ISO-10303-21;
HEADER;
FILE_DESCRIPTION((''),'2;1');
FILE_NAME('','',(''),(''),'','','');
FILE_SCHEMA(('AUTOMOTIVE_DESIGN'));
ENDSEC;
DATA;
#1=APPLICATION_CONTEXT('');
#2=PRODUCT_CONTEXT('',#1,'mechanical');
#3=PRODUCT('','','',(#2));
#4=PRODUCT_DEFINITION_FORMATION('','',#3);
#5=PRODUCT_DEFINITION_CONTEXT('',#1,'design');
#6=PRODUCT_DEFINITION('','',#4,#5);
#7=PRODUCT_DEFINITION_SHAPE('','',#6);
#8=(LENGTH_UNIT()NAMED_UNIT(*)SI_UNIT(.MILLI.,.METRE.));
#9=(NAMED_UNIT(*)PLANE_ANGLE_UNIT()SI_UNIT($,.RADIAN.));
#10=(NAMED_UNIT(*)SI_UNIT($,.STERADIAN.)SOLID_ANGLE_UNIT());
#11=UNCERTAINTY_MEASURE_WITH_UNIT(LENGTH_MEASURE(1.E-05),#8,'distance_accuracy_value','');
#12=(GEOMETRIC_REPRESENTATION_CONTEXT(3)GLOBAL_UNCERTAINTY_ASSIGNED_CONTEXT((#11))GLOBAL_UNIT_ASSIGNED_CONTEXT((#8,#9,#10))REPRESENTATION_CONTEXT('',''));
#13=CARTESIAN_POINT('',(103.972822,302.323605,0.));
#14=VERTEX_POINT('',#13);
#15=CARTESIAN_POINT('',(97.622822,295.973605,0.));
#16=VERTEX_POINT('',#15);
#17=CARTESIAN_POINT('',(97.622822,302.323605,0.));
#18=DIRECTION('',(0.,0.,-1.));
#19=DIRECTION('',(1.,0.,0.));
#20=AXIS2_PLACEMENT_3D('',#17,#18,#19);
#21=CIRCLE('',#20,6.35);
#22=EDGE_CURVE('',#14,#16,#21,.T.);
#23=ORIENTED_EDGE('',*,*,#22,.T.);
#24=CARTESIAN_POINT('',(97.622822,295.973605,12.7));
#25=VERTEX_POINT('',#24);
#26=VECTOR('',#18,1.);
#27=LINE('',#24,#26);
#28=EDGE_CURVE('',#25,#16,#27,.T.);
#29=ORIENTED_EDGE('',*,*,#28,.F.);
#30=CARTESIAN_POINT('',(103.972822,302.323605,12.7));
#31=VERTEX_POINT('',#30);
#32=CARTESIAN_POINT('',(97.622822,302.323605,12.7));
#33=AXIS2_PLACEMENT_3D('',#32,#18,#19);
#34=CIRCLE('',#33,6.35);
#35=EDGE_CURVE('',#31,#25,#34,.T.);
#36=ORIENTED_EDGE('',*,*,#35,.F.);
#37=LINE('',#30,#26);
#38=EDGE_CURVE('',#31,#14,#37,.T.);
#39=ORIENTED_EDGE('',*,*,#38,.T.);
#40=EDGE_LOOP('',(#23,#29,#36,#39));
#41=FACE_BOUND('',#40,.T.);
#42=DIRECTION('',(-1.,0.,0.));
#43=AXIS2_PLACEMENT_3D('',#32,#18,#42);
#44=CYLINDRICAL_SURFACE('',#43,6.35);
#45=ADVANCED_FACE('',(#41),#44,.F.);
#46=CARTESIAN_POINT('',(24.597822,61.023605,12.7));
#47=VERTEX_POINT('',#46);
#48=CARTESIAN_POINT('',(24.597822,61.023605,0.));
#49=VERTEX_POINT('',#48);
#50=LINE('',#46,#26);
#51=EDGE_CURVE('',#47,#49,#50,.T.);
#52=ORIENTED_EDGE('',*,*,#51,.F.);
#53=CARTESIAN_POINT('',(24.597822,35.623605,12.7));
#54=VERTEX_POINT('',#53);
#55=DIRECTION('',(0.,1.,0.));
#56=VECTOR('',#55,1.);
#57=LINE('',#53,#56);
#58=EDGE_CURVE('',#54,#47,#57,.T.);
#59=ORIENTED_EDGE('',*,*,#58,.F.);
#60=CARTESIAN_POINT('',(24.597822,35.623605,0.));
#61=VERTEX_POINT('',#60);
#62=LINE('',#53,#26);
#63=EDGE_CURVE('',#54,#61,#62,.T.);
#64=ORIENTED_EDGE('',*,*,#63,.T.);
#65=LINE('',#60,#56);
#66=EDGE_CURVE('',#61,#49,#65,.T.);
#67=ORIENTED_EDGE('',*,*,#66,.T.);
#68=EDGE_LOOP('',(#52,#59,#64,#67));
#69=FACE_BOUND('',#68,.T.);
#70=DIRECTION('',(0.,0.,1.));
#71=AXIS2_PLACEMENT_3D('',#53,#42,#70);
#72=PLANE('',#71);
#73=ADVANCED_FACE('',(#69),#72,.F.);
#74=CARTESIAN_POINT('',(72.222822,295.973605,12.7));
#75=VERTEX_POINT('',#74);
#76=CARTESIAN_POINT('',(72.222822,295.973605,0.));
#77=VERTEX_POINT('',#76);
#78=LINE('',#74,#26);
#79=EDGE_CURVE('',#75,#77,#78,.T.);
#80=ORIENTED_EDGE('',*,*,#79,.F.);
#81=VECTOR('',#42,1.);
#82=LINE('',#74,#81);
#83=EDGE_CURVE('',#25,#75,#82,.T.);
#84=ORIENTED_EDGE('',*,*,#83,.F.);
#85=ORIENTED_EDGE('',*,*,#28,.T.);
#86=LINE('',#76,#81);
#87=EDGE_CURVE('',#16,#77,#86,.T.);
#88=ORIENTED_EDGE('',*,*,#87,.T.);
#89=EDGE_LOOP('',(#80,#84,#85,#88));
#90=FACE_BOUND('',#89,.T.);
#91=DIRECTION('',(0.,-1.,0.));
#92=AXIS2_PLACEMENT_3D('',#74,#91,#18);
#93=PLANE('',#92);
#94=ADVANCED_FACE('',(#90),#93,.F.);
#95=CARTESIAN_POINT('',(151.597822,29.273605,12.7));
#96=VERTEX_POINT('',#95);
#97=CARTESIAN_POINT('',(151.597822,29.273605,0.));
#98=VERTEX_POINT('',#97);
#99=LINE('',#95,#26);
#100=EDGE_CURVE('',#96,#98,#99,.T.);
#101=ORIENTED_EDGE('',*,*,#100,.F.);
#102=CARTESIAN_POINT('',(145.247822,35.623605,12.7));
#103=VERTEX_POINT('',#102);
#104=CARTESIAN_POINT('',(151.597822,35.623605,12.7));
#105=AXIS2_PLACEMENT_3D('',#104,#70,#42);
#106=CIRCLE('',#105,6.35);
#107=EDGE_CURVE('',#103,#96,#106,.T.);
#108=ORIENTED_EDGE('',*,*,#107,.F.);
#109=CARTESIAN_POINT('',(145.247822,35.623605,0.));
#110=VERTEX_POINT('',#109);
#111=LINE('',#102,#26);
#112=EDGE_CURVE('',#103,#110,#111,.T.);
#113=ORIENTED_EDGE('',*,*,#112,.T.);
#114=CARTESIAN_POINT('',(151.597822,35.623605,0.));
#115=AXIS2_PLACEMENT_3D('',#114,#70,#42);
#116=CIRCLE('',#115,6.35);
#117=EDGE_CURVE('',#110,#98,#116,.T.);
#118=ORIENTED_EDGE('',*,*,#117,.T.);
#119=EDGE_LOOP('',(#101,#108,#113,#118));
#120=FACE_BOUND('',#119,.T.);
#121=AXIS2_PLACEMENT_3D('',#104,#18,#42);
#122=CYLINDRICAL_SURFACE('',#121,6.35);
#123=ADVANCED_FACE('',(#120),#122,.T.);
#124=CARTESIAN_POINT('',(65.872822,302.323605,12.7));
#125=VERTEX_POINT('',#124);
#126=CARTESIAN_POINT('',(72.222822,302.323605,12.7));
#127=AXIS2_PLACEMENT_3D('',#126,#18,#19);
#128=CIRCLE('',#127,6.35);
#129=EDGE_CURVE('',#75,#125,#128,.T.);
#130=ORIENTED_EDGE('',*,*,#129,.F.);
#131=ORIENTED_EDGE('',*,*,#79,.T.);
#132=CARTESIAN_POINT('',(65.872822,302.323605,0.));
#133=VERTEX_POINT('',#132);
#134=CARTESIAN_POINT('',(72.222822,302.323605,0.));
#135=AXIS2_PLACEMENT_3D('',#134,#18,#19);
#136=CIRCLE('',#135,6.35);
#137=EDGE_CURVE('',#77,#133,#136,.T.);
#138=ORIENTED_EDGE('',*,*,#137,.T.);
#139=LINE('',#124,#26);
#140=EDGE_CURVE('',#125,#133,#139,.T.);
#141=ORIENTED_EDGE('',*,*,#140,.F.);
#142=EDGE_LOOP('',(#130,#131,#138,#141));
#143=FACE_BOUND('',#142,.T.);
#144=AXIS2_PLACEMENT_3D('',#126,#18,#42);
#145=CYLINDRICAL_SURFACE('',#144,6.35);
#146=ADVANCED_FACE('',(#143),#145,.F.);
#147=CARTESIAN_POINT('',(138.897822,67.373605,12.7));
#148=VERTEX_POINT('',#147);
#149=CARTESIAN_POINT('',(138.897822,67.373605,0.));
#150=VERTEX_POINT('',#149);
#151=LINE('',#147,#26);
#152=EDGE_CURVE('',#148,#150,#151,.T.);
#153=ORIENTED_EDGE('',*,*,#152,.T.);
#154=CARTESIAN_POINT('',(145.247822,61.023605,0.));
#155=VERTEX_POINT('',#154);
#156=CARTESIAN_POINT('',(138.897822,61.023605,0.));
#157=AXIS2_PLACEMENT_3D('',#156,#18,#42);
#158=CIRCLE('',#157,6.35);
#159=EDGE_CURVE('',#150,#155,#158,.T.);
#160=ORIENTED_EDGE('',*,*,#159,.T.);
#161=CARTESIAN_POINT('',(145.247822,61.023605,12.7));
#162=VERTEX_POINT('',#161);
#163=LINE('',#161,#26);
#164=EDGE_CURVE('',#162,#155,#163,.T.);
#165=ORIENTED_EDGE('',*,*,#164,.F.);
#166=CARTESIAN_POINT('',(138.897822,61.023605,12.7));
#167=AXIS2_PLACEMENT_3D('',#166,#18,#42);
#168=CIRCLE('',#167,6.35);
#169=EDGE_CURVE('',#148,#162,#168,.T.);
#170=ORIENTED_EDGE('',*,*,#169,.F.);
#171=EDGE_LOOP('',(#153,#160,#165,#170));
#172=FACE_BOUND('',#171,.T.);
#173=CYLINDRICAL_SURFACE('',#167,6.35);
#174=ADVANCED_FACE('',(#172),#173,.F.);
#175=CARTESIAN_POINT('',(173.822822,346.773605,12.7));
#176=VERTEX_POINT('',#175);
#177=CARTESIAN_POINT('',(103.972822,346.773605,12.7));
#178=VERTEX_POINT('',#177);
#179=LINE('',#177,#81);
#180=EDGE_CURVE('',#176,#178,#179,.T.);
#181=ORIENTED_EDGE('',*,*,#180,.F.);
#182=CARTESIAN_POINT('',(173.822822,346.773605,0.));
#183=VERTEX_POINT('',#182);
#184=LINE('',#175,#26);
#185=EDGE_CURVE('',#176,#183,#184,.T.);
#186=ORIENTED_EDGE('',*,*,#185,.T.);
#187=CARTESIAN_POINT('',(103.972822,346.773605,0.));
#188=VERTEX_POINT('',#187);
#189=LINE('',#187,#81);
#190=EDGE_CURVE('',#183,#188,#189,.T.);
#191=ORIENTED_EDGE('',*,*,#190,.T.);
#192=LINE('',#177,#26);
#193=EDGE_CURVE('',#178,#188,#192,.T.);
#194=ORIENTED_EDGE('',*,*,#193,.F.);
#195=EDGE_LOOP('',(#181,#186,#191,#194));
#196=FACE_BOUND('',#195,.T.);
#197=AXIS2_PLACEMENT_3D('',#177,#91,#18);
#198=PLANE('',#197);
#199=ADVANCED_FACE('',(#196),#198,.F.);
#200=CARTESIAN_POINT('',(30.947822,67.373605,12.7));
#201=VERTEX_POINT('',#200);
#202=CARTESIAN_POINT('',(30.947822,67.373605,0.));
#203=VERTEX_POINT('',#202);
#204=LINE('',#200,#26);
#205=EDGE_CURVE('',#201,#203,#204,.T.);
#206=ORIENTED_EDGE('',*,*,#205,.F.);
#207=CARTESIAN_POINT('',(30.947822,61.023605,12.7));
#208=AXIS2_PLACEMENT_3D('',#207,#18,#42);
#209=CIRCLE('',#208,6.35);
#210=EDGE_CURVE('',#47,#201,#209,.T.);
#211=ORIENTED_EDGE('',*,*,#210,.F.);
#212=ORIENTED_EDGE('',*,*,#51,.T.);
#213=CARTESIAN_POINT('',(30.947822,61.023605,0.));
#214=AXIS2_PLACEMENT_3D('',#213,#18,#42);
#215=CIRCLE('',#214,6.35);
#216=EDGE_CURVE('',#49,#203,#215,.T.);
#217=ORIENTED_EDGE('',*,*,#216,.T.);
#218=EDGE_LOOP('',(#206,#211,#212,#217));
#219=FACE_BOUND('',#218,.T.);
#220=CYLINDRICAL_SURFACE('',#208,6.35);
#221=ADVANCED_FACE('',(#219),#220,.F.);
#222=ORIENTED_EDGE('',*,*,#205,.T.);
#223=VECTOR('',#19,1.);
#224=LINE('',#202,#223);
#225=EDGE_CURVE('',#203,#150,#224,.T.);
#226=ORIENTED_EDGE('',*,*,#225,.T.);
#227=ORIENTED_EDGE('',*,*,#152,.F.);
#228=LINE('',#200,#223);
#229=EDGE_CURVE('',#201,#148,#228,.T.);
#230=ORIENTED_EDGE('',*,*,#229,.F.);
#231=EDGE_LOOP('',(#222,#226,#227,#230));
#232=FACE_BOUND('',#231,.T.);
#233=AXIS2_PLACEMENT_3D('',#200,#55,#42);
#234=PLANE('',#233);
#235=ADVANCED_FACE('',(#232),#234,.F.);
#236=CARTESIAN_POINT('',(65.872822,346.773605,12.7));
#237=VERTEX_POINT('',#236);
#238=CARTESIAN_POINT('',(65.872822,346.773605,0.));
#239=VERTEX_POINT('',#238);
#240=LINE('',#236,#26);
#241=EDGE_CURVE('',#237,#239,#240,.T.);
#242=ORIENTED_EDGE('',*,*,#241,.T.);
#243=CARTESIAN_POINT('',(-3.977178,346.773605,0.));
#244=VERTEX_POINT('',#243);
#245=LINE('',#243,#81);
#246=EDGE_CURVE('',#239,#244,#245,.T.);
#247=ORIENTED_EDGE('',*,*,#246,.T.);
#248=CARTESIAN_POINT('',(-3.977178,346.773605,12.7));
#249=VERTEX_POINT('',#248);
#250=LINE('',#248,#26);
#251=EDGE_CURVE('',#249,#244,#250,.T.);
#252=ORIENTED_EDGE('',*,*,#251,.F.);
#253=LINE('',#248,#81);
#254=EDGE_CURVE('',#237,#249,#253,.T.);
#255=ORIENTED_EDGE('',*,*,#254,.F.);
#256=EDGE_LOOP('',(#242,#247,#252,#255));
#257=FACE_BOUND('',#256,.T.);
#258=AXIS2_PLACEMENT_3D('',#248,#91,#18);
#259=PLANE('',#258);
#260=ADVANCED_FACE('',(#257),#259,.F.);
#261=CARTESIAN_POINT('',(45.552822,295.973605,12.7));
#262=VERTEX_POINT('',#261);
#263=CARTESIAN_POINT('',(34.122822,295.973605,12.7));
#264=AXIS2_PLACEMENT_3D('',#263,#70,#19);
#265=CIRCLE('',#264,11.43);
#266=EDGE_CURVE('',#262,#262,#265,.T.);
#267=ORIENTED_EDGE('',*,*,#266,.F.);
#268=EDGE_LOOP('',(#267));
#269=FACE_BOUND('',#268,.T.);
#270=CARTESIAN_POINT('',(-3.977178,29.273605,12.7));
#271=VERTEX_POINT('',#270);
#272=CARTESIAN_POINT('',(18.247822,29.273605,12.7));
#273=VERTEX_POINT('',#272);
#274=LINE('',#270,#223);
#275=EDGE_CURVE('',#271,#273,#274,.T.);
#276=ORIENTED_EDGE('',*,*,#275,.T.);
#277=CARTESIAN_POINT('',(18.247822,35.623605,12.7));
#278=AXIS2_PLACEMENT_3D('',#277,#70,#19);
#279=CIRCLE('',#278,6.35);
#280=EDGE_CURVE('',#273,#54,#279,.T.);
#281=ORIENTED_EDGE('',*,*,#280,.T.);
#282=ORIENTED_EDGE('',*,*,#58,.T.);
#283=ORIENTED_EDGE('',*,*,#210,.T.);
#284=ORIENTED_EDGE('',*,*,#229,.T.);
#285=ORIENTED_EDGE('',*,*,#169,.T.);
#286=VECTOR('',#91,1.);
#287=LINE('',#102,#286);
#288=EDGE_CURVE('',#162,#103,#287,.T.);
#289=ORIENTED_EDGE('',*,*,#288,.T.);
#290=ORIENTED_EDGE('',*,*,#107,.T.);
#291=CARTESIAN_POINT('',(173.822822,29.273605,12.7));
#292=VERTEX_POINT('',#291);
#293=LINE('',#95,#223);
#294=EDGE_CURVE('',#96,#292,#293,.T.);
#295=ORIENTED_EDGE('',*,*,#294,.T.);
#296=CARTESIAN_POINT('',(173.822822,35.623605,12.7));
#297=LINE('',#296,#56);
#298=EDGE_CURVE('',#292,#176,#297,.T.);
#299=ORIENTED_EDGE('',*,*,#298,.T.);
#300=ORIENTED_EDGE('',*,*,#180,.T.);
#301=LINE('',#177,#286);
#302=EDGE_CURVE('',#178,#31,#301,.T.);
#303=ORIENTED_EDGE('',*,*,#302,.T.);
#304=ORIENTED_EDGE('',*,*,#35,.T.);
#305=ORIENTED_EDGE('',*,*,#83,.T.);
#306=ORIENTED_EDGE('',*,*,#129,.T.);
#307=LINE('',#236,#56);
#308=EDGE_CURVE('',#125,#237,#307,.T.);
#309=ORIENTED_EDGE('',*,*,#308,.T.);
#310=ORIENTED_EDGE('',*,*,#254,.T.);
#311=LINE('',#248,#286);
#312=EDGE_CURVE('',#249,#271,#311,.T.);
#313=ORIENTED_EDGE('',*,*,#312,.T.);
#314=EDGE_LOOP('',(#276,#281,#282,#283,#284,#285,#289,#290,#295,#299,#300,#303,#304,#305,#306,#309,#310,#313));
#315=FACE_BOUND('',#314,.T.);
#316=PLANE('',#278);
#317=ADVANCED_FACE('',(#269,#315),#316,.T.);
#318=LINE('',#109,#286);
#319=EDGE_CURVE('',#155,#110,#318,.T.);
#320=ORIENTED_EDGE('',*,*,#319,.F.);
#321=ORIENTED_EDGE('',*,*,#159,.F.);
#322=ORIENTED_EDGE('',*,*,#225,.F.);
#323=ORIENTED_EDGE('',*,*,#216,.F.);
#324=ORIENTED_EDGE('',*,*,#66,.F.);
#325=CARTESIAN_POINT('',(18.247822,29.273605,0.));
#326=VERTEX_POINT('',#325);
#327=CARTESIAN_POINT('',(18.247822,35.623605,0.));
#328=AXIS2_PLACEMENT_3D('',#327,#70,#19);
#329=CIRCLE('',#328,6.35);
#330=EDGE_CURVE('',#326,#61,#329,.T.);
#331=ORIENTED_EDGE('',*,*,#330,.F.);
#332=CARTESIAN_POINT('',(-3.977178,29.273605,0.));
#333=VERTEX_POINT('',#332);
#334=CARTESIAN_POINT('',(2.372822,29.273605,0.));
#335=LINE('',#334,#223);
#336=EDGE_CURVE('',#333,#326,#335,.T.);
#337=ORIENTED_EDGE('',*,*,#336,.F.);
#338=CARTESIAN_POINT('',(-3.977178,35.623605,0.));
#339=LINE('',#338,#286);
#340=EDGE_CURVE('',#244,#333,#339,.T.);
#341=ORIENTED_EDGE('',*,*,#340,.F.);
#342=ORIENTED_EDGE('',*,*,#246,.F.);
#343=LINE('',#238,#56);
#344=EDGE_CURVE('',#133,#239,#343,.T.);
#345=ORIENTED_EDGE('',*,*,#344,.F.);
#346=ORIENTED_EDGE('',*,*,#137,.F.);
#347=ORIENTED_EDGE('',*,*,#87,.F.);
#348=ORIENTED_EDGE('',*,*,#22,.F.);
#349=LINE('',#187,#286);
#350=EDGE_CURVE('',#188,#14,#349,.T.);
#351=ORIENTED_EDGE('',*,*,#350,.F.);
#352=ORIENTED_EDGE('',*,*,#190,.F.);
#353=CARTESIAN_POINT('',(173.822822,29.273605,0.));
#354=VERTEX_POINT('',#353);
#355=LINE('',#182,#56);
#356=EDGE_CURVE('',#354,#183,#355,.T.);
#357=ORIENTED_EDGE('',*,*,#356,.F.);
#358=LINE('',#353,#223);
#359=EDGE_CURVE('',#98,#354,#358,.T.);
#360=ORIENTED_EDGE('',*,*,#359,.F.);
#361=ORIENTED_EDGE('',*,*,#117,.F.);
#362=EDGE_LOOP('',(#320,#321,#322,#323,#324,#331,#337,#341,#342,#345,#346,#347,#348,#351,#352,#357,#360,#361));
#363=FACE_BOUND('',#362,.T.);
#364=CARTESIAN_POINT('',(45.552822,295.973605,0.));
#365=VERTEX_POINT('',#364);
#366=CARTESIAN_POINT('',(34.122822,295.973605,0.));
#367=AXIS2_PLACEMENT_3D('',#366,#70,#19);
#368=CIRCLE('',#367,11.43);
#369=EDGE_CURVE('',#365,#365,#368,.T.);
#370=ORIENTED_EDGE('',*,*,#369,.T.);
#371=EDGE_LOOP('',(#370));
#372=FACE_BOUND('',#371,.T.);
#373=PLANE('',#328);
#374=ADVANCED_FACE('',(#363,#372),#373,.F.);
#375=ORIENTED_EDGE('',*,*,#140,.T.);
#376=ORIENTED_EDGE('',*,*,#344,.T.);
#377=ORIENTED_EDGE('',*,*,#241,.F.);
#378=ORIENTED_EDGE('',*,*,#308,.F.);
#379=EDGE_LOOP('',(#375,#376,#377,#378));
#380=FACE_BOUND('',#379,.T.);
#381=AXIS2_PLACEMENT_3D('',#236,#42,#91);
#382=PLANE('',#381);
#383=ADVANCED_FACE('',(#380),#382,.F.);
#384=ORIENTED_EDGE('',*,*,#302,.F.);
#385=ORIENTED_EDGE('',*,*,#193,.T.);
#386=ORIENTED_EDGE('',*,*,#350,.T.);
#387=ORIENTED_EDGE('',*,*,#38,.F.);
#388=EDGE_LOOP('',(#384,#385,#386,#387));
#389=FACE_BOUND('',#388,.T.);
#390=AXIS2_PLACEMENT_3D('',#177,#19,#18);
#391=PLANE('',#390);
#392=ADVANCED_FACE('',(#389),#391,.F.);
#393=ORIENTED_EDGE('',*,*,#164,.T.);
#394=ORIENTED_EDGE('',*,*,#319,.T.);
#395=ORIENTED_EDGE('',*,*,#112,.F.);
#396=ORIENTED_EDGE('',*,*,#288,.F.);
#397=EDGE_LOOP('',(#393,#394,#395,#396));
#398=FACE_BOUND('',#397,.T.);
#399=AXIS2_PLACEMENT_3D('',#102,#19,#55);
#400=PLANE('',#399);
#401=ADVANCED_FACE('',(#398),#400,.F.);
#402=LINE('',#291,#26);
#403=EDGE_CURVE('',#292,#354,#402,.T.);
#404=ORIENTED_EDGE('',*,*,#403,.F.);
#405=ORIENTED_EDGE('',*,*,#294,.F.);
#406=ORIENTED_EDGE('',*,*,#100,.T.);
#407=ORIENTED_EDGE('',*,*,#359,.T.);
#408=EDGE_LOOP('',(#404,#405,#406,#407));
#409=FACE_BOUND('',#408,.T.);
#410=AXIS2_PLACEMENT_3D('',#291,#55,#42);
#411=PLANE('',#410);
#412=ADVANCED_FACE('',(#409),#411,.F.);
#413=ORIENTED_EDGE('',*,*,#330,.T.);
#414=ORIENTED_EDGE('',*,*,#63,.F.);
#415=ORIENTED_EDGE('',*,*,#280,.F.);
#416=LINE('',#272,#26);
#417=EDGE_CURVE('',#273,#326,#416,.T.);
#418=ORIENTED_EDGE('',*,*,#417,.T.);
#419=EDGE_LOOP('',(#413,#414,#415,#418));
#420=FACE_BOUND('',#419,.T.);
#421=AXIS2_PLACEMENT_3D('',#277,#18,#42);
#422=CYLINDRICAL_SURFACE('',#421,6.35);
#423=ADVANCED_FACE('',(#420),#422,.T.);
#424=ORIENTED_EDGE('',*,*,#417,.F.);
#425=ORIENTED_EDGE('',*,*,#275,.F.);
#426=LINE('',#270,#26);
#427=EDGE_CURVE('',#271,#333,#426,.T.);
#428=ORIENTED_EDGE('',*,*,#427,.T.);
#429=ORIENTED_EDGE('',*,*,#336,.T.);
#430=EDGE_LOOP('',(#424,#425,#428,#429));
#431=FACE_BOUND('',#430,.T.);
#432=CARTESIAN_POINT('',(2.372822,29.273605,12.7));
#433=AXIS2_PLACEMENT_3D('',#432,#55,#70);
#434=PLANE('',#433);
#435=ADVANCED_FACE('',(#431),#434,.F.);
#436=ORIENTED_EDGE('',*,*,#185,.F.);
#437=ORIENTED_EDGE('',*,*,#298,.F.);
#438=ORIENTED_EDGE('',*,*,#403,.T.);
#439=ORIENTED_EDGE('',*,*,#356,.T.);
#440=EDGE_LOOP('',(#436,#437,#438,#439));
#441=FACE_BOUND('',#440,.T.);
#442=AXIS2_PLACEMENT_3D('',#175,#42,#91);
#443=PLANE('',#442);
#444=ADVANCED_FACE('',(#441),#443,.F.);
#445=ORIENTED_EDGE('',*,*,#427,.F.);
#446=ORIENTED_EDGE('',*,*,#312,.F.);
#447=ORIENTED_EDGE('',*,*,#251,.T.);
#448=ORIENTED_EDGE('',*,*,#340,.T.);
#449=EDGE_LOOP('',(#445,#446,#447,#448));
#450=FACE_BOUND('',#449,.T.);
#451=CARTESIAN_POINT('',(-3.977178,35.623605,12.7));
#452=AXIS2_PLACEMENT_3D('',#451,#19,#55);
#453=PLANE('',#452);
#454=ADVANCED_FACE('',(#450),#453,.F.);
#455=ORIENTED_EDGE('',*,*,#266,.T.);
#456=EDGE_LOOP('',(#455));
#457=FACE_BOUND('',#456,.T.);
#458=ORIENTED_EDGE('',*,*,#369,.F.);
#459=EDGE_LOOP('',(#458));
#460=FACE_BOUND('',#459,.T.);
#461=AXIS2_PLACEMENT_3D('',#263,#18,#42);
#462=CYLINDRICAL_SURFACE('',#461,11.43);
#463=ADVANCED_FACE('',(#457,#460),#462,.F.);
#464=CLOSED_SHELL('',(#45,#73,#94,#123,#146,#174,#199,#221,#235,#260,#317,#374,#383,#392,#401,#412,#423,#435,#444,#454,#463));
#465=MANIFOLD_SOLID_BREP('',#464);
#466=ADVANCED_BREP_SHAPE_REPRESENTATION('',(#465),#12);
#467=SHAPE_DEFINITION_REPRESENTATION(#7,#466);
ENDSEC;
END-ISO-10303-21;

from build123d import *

# Parameters (mm, degrees)
SKETCH1_R           = 11.43
BOSS_EXTRUDE2_DEPTH = 12.7


with BuildPart() as part:
    # Sketch1 → Boss-Extrude2 (new body)
    with BuildSketch(Plane.XY):
        with BuildLine():
            Line((103.972822377, 346.773604775), (173.822822377, 346.773604775))
            Line((173.822822377, 346.773604775), (173.822822377, 35.623604775))
            Line((173.822822377, 35.623604775), (173.822822377, 29.273604775))
            Line((173.822822377, 29.273604775), (161.122822377, 29.273604775))
            Line((161.122822377, 29.273604775), (151.597822377, 29.273604775))
            ThreePointArc((151.597822377, 29.273604775), (147.107694316, 31.133476714), (145.247822377, 35.623604775))
            Line((145.247822377, 35.623604775), (145.247822377, 61.023604775))
            ThreePointArc((145.247822377, 61.023604775), (143.387950437, 65.513732836), (138.897822377, 67.373604775))
            Line((138.897822377, 67.373604775), (30.947822377, 67.373604775))
            ThreePointArc((30.947822377, 67.373604775), (26.457694316, 65.513732836), (24.597822377, 61.023604775))
            Line((24.597822377, 61.023604775), (24.597822377, 35.623604775))
            ThreePointArc((24.597822377, 35.623604775), (22.737950437, 31.133476714), (18.247822377, 29.273604775))
            Line((18.247822377, 29.273604775), (2.372822377, 29.273604775))
            Line((2.372822377, 29.273604775), (-3.977177623, 29.273604775))
            Line((-3.977177623, 29.273604775), (-3.977177623, 35.623604775))
            Line((-3.977177623, 35.623604775), (-3.977177623, 346.773604775))
            Line((-3.977177623, 346.773604775), (65.872822377, 346.773604775))
            Line((65.872822377, 346.773604775), (65.872822377, 302.323604775))
            ThreePointArc((65.872822377, 302.323604775), (67.732694316, 297.833476714), (72.222822377, 295.973604775))
            Line((72.222822377, 295.973604775), (97.622822377, 295.973604775))
            ThreePointArc((97.622822377, 295.973604775), (102.112950437, 297.833476714), (103.972822377, 302.323604775))
            Line((103.972822377, 302.323604775), (103.972822377, 346.773604775))
        make_face()
        with Locations((34.122822377, 295.973604775)):
            Circle(SKETCH1_R, mode=Mode.SUBTRACT)
    extrude(amount=BOSS_EXTRUDE2_DEPTH)


solid = part.part
